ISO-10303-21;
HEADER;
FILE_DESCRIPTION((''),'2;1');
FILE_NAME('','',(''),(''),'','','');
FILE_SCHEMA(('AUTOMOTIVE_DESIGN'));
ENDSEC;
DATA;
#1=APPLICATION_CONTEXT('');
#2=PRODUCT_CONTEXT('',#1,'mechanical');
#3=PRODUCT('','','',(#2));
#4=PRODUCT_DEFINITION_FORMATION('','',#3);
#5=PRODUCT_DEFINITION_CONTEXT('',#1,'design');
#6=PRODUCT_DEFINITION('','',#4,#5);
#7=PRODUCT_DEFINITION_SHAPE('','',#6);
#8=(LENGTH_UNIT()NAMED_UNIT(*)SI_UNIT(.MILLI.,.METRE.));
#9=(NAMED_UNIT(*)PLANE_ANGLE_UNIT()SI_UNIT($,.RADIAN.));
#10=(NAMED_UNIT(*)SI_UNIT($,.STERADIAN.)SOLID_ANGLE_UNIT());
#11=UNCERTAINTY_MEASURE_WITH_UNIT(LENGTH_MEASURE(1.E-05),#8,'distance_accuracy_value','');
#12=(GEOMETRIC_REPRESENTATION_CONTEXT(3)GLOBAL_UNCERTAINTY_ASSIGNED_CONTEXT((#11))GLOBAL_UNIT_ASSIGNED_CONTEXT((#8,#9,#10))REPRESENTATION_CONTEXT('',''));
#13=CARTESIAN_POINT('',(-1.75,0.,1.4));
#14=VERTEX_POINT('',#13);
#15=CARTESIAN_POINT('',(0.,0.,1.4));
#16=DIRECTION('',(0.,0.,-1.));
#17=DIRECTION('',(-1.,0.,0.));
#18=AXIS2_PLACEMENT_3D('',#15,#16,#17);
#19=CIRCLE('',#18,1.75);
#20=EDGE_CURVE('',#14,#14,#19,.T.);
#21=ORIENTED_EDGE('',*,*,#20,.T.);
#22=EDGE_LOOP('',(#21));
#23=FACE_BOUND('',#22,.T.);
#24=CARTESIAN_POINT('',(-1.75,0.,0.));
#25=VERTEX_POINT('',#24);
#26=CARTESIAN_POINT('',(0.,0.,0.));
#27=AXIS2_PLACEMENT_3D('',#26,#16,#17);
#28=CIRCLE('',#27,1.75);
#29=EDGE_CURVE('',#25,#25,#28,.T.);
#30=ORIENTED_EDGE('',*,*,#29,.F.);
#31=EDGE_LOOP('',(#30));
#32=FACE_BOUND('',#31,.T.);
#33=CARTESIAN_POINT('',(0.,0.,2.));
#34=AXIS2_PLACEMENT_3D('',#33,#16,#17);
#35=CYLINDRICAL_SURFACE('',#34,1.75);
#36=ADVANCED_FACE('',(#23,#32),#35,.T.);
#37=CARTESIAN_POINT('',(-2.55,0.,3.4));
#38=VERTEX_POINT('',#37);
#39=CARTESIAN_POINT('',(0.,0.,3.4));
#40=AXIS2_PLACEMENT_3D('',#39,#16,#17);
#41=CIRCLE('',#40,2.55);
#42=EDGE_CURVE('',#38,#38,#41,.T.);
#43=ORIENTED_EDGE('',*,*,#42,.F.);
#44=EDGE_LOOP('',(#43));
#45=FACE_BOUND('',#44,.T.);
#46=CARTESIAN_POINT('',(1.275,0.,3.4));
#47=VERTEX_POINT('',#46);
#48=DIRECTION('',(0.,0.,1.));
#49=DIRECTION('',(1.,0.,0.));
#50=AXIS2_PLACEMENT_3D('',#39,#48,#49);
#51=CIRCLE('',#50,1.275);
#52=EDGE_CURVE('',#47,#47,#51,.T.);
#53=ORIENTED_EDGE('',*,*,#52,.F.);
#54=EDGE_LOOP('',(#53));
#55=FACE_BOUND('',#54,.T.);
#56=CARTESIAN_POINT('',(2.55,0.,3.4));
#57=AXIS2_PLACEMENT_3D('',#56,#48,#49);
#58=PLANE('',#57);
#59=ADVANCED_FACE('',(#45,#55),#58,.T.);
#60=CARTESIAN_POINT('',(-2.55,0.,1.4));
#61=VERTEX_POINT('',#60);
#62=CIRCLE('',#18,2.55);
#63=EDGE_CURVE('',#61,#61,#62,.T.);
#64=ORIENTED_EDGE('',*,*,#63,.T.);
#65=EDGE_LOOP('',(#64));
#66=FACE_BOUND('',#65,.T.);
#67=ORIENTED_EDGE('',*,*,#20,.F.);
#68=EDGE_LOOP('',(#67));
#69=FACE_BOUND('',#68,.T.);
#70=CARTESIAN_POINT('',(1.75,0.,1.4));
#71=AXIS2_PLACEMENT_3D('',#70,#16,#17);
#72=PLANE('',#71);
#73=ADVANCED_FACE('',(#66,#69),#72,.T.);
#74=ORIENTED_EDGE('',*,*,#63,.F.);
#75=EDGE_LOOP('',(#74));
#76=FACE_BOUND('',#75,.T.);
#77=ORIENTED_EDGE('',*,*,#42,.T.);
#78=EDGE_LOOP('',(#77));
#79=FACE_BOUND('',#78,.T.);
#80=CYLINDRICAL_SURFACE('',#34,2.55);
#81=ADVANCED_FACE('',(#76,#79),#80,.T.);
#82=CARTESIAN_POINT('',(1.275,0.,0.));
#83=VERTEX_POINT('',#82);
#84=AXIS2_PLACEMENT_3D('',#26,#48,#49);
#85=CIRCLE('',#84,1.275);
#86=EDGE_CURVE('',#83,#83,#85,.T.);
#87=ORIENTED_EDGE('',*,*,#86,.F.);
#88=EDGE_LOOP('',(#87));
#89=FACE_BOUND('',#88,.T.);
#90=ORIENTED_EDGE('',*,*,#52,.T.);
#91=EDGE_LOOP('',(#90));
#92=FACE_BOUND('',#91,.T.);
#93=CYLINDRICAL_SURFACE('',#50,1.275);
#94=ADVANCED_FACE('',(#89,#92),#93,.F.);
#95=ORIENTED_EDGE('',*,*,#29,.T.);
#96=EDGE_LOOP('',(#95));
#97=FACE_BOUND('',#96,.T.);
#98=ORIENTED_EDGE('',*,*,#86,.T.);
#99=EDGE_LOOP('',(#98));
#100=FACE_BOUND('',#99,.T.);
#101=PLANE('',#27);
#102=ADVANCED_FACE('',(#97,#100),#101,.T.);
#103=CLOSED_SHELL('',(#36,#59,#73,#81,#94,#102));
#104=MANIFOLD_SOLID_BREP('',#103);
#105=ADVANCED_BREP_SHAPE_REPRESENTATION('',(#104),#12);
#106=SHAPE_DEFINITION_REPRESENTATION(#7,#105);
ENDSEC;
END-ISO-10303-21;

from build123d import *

# Parameters (mm, degrees)
HOLEWZD1_D = 2.55


with BuildPart() as part:
    # Sketch1 → Revolve1 (revolve)
    with BuildSketch(Plane.XZ, mode=Mode.PRIVATE) as revolve1_sk:
        Polygon((2.55, 3.4), (0, 3.4), (0, 0), (1.75, 0), (1.75, 1.4), (2.55, 1.4), align=None)
    revolve(revolve1_sk.sketch.rotate(Axis((0, 0, 2), (0, 0, -1)), 180), axis=Axis((0, 0, 2), (0, 0, -1)))

    # HoleWzd1 (through all)
    with Locations(Plane.XY.offset(3.4)):
        with Locations((0, 0)):
            Hole(HOLEWZD1_D / 2)


solid = part.part
